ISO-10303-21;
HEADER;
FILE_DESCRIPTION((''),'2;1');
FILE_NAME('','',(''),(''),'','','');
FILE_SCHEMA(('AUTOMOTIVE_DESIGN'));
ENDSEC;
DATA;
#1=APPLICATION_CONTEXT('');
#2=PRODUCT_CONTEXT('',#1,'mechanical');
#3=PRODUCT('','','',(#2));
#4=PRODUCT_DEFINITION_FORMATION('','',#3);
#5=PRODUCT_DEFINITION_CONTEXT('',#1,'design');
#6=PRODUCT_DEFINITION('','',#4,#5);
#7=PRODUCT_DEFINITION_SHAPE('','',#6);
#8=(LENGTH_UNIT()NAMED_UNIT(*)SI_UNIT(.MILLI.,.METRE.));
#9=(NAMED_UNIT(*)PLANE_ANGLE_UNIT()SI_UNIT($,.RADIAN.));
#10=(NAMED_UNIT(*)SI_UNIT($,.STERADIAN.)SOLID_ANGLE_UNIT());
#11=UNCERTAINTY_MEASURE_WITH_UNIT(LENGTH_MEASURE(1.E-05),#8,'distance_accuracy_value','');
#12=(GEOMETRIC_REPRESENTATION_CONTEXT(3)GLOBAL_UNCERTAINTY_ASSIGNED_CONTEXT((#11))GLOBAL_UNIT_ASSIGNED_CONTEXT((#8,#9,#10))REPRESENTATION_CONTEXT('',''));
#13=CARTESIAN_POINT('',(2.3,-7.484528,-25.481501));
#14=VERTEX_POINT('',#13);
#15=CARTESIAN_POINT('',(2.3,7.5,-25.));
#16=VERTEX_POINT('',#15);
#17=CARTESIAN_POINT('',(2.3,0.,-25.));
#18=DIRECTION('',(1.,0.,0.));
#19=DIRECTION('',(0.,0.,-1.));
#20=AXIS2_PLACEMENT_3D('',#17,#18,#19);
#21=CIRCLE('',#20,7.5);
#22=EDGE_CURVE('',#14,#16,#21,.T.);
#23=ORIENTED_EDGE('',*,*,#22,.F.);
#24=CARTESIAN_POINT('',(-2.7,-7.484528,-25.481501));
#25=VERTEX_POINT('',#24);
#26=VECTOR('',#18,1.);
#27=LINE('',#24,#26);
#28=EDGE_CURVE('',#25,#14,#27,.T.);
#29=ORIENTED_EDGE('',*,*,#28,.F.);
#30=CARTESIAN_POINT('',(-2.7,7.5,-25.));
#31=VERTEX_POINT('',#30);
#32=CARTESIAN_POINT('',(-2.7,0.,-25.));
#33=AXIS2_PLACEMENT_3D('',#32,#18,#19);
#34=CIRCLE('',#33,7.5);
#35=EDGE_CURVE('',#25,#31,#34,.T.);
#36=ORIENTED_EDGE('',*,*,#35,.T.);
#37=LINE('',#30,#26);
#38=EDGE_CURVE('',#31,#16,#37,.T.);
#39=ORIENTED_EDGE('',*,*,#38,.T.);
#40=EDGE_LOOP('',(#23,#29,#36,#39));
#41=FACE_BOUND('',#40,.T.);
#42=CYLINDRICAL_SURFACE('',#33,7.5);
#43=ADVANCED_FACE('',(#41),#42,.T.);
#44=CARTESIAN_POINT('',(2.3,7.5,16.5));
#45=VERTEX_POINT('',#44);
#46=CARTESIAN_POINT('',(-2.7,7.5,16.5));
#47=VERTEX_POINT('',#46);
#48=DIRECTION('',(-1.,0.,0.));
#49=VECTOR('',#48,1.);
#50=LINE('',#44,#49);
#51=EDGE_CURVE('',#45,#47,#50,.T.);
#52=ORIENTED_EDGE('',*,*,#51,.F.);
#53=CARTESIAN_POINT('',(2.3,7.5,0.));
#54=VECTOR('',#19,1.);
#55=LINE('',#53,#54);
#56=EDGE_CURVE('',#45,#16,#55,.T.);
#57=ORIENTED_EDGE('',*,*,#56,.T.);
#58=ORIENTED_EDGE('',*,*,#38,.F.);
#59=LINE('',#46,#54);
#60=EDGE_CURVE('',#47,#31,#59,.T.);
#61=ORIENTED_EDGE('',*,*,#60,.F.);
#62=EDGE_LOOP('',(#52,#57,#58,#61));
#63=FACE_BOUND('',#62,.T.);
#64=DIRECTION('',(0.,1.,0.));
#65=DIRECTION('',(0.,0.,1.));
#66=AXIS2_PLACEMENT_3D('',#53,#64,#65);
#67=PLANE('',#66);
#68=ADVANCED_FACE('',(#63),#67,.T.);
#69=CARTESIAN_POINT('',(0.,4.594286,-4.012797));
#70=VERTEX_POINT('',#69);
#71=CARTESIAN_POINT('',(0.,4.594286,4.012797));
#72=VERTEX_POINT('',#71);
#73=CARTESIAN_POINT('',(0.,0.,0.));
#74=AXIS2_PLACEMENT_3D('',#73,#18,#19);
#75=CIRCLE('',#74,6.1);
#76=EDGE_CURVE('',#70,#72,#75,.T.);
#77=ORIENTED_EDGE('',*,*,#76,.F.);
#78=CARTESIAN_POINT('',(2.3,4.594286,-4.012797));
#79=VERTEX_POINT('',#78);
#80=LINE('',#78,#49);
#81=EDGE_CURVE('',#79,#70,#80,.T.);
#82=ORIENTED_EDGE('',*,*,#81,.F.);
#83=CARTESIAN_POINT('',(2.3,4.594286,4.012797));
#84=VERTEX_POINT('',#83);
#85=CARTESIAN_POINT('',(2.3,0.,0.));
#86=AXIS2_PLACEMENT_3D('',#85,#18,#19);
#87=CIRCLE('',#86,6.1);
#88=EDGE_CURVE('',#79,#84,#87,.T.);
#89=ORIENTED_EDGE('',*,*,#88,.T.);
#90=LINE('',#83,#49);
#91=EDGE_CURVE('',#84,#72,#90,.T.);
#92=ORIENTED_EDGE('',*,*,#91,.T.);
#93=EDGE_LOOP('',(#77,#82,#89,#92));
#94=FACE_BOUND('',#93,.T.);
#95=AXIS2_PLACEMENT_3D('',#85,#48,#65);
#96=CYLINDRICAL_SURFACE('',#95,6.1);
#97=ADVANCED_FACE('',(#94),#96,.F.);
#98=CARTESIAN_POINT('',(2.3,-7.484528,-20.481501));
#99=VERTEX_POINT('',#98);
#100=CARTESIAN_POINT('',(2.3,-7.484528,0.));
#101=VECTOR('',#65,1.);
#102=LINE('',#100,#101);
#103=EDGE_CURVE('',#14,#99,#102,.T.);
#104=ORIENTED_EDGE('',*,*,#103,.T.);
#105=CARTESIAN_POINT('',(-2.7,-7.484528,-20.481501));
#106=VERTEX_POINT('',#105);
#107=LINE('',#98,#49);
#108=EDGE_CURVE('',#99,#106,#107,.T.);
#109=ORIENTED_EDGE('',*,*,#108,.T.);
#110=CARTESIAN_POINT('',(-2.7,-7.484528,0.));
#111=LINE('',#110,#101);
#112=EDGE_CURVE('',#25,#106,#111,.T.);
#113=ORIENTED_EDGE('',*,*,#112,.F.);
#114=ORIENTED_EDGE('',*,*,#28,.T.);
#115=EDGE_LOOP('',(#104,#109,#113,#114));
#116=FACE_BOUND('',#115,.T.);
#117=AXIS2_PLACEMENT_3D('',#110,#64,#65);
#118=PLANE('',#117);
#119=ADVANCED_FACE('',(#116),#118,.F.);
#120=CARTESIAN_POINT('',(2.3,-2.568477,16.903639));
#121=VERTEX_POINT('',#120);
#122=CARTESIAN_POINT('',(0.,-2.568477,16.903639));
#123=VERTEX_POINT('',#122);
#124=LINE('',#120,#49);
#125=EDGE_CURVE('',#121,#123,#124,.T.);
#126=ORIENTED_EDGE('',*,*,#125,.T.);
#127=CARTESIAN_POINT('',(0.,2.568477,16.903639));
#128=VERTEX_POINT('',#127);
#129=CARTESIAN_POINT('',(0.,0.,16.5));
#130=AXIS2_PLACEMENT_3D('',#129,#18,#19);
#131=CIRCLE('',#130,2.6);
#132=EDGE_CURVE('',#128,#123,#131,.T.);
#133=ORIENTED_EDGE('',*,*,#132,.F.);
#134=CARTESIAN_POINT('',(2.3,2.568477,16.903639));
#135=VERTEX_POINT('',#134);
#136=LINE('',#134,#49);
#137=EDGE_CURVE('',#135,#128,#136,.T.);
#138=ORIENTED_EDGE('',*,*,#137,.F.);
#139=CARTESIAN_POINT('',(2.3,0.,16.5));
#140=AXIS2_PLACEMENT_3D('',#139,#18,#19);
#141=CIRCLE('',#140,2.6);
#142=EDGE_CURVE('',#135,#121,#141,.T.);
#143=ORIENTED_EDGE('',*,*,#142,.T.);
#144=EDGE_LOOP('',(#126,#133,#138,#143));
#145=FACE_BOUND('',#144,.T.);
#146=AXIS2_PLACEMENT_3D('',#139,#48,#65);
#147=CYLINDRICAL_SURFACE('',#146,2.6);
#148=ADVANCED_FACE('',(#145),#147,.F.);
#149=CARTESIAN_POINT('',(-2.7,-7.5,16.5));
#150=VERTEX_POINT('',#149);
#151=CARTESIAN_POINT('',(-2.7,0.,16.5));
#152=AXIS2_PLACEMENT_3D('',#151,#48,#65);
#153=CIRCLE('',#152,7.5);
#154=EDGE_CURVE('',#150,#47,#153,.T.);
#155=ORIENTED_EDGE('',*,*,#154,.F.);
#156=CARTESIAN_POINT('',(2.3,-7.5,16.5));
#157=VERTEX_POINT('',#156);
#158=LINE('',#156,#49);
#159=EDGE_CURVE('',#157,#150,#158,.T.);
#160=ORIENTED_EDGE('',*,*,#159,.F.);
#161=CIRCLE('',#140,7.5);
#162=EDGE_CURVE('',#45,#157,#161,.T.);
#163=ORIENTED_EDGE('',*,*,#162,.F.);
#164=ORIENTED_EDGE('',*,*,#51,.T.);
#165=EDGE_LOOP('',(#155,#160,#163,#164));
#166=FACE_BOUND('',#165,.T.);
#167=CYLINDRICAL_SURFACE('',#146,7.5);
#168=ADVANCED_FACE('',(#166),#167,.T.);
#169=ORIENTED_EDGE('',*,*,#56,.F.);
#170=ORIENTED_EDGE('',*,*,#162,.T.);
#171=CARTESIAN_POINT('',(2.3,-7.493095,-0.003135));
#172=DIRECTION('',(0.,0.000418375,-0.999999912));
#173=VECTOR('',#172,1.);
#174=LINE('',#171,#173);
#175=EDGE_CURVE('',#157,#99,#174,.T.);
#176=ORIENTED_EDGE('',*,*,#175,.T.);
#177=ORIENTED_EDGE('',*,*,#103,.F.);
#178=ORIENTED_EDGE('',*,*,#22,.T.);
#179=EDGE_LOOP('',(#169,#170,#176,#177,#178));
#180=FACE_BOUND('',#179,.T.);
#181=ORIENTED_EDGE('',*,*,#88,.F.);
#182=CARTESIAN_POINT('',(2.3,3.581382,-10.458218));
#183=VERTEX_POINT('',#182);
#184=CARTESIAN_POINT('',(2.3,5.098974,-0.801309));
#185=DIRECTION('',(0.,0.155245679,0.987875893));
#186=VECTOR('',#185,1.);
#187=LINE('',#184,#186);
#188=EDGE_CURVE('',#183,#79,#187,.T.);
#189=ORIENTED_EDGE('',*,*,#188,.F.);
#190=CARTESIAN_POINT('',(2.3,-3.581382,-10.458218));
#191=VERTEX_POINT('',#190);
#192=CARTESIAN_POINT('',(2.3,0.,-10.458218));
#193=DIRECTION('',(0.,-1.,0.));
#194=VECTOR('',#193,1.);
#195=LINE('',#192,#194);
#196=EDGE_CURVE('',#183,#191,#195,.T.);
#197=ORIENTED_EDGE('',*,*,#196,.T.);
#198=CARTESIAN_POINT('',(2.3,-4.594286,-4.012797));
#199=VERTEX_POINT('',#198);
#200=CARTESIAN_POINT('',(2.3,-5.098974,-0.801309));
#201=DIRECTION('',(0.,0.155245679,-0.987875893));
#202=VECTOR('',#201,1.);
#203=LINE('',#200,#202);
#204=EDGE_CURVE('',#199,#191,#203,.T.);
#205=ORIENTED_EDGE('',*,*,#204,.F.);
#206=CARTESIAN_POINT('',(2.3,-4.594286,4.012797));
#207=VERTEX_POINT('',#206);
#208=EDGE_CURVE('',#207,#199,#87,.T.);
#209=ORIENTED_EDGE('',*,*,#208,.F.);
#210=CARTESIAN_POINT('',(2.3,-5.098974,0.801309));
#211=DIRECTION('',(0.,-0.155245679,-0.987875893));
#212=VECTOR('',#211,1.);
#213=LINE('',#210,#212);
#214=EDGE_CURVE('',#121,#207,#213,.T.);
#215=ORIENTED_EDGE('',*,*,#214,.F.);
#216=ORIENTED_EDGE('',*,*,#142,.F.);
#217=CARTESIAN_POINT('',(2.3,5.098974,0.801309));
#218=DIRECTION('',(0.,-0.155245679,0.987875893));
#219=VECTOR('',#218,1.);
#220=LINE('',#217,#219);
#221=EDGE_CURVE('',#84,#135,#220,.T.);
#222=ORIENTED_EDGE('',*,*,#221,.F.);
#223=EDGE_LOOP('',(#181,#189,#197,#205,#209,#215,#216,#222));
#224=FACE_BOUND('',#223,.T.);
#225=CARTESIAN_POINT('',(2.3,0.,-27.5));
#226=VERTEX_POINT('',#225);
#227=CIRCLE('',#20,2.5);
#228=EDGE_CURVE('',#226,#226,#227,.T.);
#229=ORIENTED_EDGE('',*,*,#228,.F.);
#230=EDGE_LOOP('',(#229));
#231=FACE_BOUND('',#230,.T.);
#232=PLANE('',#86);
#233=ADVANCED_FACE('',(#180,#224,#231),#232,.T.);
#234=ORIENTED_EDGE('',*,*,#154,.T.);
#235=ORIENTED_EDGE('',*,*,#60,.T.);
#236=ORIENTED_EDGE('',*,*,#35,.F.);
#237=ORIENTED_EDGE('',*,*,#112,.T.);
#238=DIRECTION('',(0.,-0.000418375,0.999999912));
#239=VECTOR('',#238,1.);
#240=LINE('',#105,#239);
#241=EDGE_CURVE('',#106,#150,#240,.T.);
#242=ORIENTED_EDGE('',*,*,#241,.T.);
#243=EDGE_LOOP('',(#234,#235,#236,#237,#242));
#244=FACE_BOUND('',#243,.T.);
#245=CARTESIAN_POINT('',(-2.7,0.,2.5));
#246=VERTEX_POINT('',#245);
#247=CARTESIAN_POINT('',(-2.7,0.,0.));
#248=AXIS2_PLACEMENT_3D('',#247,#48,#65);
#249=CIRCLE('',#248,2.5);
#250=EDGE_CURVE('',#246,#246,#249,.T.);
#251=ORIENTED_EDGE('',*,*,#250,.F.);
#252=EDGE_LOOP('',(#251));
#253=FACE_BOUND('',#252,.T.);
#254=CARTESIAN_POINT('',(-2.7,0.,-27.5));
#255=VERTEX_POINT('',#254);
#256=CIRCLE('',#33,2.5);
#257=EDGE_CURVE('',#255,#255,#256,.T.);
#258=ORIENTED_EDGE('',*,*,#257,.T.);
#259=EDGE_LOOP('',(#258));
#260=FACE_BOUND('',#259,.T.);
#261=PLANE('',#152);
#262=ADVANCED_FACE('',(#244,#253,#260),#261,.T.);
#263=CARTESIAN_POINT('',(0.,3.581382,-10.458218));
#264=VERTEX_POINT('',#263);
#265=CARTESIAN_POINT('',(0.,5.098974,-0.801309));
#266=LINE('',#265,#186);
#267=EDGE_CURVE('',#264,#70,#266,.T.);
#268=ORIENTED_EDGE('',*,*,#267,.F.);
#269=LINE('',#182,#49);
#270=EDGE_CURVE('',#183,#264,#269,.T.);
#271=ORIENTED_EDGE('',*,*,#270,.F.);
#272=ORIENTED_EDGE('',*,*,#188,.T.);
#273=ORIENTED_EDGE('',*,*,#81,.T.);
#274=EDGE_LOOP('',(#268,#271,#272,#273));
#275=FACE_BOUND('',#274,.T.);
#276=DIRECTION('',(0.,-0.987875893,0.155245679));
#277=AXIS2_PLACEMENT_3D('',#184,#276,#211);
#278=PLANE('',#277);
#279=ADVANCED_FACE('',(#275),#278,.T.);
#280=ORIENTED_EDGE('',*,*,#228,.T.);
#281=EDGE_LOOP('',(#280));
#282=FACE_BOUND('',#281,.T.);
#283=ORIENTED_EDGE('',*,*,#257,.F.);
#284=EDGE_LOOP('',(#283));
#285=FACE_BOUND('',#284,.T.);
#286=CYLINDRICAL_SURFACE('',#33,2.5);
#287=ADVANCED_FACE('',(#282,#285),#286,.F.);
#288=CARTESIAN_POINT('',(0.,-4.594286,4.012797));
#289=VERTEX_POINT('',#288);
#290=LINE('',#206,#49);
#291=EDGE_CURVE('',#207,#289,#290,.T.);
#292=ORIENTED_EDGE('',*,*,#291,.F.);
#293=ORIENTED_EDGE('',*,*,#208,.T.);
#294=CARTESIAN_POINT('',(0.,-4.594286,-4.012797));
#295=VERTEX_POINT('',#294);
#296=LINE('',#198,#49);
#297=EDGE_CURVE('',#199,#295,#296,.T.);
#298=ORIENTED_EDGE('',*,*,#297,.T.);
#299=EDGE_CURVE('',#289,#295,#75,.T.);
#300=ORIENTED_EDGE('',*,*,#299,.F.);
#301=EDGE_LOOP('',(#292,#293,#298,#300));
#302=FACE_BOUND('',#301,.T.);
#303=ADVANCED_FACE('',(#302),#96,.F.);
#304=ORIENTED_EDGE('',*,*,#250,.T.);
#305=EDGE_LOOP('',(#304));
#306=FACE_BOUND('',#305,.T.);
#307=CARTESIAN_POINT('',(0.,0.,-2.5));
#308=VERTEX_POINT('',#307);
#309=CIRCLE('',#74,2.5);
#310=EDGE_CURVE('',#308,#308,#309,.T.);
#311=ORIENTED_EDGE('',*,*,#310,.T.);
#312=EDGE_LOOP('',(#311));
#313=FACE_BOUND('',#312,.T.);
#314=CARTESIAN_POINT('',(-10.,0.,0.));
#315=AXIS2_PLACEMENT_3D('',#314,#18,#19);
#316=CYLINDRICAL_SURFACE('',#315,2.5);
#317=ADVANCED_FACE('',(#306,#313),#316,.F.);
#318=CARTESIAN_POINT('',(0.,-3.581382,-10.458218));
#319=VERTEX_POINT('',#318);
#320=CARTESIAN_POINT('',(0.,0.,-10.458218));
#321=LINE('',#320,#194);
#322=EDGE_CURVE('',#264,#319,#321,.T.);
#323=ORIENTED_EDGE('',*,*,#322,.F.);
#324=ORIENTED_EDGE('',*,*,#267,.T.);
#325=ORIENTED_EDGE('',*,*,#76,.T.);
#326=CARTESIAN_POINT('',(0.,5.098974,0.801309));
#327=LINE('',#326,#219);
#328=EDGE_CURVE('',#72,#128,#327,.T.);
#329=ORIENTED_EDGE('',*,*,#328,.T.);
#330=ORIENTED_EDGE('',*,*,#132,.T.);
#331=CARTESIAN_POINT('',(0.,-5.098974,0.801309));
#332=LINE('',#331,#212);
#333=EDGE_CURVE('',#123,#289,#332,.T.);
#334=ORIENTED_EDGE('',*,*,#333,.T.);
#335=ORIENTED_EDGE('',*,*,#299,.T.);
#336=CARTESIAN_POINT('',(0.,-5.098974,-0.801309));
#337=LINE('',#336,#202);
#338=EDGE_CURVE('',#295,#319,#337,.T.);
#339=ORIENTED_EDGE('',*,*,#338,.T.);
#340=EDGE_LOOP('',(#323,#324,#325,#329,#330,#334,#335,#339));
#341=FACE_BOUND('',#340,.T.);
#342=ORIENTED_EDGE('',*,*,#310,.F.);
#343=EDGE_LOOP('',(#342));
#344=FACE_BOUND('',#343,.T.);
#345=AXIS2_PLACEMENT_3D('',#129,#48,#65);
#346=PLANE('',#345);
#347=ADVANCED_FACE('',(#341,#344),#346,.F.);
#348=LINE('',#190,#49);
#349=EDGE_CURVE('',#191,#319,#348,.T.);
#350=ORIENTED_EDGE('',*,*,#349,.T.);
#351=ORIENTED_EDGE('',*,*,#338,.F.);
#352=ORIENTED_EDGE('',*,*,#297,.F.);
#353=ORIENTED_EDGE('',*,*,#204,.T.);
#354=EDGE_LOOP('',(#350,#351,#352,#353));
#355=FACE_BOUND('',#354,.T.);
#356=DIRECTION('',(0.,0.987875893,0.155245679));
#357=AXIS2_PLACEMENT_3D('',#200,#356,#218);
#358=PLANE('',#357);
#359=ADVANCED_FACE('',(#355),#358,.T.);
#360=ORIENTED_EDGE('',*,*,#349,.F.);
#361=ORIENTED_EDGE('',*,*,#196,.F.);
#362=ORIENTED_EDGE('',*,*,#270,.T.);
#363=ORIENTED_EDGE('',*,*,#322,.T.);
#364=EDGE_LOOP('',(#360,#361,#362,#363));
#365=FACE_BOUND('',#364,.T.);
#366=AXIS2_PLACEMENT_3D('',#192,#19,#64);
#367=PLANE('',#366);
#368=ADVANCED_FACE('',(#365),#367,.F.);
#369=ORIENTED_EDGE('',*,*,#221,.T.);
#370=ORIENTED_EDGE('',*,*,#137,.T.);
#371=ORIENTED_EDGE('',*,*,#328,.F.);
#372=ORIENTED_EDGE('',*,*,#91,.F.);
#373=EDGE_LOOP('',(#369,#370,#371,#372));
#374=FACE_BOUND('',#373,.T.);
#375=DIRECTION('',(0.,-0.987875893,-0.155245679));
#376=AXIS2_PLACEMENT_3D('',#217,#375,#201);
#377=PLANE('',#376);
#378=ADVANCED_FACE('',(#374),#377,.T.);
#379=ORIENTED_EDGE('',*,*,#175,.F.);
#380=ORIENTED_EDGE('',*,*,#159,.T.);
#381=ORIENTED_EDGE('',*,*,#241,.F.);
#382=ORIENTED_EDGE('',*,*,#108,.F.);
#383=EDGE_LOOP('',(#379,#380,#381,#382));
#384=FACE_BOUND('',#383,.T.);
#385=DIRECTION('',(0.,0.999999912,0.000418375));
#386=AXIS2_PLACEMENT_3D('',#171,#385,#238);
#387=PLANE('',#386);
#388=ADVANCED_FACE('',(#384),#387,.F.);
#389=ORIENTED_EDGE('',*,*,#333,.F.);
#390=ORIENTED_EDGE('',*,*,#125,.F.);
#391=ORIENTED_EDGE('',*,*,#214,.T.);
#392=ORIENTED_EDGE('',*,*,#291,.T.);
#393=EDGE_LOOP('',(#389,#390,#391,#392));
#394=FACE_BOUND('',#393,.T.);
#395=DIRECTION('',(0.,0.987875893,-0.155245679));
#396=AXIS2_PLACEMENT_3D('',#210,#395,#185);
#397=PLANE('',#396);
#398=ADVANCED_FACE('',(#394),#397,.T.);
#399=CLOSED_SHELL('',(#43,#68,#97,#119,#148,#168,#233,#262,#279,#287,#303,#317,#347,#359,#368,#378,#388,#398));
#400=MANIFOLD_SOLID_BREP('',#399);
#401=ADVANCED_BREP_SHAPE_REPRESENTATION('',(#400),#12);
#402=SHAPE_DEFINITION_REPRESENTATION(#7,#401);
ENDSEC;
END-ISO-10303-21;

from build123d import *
from build123d.topology import SkipClean

# Parameters (mm, degrees)
SKETCH1_R           = 2.5
BOSS_EXTRUDE1_DEPTH = 2.3
BOSS_EXTRUDE2_START = 2.7
SKETCH2_R           = 2.5
BOSS_EXTRUDE2_DEPTH = 2.7
SKETCH3_R           = 2.5
CUT_EXTRUDE1_DEPTH  = 10
BOSS_EXTRUDE3_START = -5
SKETCH4_R           = 2.5
BOSS_EXTRUDE3_DEPTH = 5
CUT_EXTRUDE2_DEPTH  = 5


with BuildPart() as part:
    # Sketch1 → Boss-Extrude1 (new body)
    with BuildSketch(Plane(origin=(0, 0, 0), x_dir=(0, 0, -1), z_dir=(1, 0, 0))):
        with BuildLine():
            Line((-16.5, -7.5), (20.481500629, -7.48452785))
            ThreePointArc((20.481500629, -7.48452785), (27.496130965, 0.240874575), (20, 7.5))
            Line((20, 7.5), (-16.5, 7.5))
            ThreePointArc((-16.5, 7.5), (-24, 0), (-16.5, -7.5))
        make_face()
        with BuildLine():
            Line((4.012796555, 4.594285996), (10.45821766, 3.581381658))
            Line((10.45821766, 3.581381658), (10.45821766, 0))
            Line((10.45821766, 0), (10.45821766, -3.581381658))
            Line((10.45821766, -3.581381658), (4.012796555, -4.594285996))
            ThreePointArc((4.012796555, -4.594285996), (0, -6.1), (-4.012796555, -4.594285996))
            Line((-4.012796555, -4.594285996), (-9.954017871, -3.660617157))
            Line((-9.954017871, -3.660617157), (-16.903638766, -2.568477321))
            ThreePointArc((-16.903638766, -2.568477321), (-19.1, 0), (-16.903638766, 2.568477321))
            Line((-16.903638766, 2.568477321), (-4.012796555, 4.594285996))
            ThreePointArc((-4.012796555, 4.594285996), (0, 6.1), (4.012796555, 4.594285996))
        make_face(mode=Mode.SUBTRACT)
        with Locations((20, 0)):
            Circle(SKETCH1_R, mode=Mode.SUBTRACT)
    extrude(amount=BOSS_EXTRUDE1_DEPTH)

    # Sketch2 → Boss-Extrude2 (add)
    with SkipClean():  # the faces are left unmerged after this step: merging them gives an invalid solid
        with BuildSketch(Plane.ZY.offset(BOSS_EXTRUDE2_START)):
            with BuildLine():
                Line((16.5, 7.5), (-20, 7.5))
                ThreePointArc((-20, 7.5), (-27.496130965, 0.240874575), (-20.481500629, -7.48452785))
                Line((-20.481500629, -7.48452785), (16.5, -7.5))
                ThreePointArc((16.5, -7.5), (24, 0), (16.5, 7.5))
            make_face()
            with Locations((-20, 0)):
                Circle(SKETCH2_R, mode=Mode.SUBTRACT)
        extrude(amount=-BOSS_EXTRUDE2_DEPTH)

    # Sketch3 → Cut-Extrude1 (cut)
    with SkipClean():  # the faces are left unmerged after this step: merging them gives an invalid solid
        with BuildSketch(Plane(origin=(0, 0, 0), x_dir=(0, 0, -1), z_dir=(1, 0, 0))):
            Circle(SKETCH3_R)
        extrude(amount=-CUT_EXTRUDE1_DEPTH, mode=Mode.SUBTRACT)

    # Sketch4 → Boss-Extrude3 (add)
    with BuildSketch(Plane(origin=(2.3, 0, 0), x_dir=(0, 0, -1), z_dir=(1, 0, 0)).offset(BOSS_EXTRUDE3_START)):
        with BuildLine():
            ThreePointArc((25.481500629, -7.48452785), (32.496130965, 0.240874575), (25, 7.5))
            Line((25, 7.5), (20, 7.5))
            ThreePointArc((20, 7.5), (27.496130965, 0.240874575), (20.481500629, -7.48452785))
            Line((20.481500629, -7.48452785), (25.481500629, -7.48452785))
        make_face()
        with Locations((20, 0)):
            Circle(SKETCH4_R)
    extrude(amount=BOSS_EXTRUDE3_DEPTH)

    # Sketch4<3> → Cut-Extrude2 (cut)
    with BuildSketch(Plane(origin=(2.3, 0, 0), x_dir=(0, 0, -1), z_dir=(1, 0, 0))):
        with BuildLine():
            ThreePointArc((22.5, 0), (25, -2.5), (27.5, 0))
            ThreePointArc((27.5, 0), (25, 2.5), (22.5, 0))
        make_face()
    extrude(amount=-CUT_EXTRUDE2_DEPTH, mode=Mode.SUBTRACT)


solid = part.part
